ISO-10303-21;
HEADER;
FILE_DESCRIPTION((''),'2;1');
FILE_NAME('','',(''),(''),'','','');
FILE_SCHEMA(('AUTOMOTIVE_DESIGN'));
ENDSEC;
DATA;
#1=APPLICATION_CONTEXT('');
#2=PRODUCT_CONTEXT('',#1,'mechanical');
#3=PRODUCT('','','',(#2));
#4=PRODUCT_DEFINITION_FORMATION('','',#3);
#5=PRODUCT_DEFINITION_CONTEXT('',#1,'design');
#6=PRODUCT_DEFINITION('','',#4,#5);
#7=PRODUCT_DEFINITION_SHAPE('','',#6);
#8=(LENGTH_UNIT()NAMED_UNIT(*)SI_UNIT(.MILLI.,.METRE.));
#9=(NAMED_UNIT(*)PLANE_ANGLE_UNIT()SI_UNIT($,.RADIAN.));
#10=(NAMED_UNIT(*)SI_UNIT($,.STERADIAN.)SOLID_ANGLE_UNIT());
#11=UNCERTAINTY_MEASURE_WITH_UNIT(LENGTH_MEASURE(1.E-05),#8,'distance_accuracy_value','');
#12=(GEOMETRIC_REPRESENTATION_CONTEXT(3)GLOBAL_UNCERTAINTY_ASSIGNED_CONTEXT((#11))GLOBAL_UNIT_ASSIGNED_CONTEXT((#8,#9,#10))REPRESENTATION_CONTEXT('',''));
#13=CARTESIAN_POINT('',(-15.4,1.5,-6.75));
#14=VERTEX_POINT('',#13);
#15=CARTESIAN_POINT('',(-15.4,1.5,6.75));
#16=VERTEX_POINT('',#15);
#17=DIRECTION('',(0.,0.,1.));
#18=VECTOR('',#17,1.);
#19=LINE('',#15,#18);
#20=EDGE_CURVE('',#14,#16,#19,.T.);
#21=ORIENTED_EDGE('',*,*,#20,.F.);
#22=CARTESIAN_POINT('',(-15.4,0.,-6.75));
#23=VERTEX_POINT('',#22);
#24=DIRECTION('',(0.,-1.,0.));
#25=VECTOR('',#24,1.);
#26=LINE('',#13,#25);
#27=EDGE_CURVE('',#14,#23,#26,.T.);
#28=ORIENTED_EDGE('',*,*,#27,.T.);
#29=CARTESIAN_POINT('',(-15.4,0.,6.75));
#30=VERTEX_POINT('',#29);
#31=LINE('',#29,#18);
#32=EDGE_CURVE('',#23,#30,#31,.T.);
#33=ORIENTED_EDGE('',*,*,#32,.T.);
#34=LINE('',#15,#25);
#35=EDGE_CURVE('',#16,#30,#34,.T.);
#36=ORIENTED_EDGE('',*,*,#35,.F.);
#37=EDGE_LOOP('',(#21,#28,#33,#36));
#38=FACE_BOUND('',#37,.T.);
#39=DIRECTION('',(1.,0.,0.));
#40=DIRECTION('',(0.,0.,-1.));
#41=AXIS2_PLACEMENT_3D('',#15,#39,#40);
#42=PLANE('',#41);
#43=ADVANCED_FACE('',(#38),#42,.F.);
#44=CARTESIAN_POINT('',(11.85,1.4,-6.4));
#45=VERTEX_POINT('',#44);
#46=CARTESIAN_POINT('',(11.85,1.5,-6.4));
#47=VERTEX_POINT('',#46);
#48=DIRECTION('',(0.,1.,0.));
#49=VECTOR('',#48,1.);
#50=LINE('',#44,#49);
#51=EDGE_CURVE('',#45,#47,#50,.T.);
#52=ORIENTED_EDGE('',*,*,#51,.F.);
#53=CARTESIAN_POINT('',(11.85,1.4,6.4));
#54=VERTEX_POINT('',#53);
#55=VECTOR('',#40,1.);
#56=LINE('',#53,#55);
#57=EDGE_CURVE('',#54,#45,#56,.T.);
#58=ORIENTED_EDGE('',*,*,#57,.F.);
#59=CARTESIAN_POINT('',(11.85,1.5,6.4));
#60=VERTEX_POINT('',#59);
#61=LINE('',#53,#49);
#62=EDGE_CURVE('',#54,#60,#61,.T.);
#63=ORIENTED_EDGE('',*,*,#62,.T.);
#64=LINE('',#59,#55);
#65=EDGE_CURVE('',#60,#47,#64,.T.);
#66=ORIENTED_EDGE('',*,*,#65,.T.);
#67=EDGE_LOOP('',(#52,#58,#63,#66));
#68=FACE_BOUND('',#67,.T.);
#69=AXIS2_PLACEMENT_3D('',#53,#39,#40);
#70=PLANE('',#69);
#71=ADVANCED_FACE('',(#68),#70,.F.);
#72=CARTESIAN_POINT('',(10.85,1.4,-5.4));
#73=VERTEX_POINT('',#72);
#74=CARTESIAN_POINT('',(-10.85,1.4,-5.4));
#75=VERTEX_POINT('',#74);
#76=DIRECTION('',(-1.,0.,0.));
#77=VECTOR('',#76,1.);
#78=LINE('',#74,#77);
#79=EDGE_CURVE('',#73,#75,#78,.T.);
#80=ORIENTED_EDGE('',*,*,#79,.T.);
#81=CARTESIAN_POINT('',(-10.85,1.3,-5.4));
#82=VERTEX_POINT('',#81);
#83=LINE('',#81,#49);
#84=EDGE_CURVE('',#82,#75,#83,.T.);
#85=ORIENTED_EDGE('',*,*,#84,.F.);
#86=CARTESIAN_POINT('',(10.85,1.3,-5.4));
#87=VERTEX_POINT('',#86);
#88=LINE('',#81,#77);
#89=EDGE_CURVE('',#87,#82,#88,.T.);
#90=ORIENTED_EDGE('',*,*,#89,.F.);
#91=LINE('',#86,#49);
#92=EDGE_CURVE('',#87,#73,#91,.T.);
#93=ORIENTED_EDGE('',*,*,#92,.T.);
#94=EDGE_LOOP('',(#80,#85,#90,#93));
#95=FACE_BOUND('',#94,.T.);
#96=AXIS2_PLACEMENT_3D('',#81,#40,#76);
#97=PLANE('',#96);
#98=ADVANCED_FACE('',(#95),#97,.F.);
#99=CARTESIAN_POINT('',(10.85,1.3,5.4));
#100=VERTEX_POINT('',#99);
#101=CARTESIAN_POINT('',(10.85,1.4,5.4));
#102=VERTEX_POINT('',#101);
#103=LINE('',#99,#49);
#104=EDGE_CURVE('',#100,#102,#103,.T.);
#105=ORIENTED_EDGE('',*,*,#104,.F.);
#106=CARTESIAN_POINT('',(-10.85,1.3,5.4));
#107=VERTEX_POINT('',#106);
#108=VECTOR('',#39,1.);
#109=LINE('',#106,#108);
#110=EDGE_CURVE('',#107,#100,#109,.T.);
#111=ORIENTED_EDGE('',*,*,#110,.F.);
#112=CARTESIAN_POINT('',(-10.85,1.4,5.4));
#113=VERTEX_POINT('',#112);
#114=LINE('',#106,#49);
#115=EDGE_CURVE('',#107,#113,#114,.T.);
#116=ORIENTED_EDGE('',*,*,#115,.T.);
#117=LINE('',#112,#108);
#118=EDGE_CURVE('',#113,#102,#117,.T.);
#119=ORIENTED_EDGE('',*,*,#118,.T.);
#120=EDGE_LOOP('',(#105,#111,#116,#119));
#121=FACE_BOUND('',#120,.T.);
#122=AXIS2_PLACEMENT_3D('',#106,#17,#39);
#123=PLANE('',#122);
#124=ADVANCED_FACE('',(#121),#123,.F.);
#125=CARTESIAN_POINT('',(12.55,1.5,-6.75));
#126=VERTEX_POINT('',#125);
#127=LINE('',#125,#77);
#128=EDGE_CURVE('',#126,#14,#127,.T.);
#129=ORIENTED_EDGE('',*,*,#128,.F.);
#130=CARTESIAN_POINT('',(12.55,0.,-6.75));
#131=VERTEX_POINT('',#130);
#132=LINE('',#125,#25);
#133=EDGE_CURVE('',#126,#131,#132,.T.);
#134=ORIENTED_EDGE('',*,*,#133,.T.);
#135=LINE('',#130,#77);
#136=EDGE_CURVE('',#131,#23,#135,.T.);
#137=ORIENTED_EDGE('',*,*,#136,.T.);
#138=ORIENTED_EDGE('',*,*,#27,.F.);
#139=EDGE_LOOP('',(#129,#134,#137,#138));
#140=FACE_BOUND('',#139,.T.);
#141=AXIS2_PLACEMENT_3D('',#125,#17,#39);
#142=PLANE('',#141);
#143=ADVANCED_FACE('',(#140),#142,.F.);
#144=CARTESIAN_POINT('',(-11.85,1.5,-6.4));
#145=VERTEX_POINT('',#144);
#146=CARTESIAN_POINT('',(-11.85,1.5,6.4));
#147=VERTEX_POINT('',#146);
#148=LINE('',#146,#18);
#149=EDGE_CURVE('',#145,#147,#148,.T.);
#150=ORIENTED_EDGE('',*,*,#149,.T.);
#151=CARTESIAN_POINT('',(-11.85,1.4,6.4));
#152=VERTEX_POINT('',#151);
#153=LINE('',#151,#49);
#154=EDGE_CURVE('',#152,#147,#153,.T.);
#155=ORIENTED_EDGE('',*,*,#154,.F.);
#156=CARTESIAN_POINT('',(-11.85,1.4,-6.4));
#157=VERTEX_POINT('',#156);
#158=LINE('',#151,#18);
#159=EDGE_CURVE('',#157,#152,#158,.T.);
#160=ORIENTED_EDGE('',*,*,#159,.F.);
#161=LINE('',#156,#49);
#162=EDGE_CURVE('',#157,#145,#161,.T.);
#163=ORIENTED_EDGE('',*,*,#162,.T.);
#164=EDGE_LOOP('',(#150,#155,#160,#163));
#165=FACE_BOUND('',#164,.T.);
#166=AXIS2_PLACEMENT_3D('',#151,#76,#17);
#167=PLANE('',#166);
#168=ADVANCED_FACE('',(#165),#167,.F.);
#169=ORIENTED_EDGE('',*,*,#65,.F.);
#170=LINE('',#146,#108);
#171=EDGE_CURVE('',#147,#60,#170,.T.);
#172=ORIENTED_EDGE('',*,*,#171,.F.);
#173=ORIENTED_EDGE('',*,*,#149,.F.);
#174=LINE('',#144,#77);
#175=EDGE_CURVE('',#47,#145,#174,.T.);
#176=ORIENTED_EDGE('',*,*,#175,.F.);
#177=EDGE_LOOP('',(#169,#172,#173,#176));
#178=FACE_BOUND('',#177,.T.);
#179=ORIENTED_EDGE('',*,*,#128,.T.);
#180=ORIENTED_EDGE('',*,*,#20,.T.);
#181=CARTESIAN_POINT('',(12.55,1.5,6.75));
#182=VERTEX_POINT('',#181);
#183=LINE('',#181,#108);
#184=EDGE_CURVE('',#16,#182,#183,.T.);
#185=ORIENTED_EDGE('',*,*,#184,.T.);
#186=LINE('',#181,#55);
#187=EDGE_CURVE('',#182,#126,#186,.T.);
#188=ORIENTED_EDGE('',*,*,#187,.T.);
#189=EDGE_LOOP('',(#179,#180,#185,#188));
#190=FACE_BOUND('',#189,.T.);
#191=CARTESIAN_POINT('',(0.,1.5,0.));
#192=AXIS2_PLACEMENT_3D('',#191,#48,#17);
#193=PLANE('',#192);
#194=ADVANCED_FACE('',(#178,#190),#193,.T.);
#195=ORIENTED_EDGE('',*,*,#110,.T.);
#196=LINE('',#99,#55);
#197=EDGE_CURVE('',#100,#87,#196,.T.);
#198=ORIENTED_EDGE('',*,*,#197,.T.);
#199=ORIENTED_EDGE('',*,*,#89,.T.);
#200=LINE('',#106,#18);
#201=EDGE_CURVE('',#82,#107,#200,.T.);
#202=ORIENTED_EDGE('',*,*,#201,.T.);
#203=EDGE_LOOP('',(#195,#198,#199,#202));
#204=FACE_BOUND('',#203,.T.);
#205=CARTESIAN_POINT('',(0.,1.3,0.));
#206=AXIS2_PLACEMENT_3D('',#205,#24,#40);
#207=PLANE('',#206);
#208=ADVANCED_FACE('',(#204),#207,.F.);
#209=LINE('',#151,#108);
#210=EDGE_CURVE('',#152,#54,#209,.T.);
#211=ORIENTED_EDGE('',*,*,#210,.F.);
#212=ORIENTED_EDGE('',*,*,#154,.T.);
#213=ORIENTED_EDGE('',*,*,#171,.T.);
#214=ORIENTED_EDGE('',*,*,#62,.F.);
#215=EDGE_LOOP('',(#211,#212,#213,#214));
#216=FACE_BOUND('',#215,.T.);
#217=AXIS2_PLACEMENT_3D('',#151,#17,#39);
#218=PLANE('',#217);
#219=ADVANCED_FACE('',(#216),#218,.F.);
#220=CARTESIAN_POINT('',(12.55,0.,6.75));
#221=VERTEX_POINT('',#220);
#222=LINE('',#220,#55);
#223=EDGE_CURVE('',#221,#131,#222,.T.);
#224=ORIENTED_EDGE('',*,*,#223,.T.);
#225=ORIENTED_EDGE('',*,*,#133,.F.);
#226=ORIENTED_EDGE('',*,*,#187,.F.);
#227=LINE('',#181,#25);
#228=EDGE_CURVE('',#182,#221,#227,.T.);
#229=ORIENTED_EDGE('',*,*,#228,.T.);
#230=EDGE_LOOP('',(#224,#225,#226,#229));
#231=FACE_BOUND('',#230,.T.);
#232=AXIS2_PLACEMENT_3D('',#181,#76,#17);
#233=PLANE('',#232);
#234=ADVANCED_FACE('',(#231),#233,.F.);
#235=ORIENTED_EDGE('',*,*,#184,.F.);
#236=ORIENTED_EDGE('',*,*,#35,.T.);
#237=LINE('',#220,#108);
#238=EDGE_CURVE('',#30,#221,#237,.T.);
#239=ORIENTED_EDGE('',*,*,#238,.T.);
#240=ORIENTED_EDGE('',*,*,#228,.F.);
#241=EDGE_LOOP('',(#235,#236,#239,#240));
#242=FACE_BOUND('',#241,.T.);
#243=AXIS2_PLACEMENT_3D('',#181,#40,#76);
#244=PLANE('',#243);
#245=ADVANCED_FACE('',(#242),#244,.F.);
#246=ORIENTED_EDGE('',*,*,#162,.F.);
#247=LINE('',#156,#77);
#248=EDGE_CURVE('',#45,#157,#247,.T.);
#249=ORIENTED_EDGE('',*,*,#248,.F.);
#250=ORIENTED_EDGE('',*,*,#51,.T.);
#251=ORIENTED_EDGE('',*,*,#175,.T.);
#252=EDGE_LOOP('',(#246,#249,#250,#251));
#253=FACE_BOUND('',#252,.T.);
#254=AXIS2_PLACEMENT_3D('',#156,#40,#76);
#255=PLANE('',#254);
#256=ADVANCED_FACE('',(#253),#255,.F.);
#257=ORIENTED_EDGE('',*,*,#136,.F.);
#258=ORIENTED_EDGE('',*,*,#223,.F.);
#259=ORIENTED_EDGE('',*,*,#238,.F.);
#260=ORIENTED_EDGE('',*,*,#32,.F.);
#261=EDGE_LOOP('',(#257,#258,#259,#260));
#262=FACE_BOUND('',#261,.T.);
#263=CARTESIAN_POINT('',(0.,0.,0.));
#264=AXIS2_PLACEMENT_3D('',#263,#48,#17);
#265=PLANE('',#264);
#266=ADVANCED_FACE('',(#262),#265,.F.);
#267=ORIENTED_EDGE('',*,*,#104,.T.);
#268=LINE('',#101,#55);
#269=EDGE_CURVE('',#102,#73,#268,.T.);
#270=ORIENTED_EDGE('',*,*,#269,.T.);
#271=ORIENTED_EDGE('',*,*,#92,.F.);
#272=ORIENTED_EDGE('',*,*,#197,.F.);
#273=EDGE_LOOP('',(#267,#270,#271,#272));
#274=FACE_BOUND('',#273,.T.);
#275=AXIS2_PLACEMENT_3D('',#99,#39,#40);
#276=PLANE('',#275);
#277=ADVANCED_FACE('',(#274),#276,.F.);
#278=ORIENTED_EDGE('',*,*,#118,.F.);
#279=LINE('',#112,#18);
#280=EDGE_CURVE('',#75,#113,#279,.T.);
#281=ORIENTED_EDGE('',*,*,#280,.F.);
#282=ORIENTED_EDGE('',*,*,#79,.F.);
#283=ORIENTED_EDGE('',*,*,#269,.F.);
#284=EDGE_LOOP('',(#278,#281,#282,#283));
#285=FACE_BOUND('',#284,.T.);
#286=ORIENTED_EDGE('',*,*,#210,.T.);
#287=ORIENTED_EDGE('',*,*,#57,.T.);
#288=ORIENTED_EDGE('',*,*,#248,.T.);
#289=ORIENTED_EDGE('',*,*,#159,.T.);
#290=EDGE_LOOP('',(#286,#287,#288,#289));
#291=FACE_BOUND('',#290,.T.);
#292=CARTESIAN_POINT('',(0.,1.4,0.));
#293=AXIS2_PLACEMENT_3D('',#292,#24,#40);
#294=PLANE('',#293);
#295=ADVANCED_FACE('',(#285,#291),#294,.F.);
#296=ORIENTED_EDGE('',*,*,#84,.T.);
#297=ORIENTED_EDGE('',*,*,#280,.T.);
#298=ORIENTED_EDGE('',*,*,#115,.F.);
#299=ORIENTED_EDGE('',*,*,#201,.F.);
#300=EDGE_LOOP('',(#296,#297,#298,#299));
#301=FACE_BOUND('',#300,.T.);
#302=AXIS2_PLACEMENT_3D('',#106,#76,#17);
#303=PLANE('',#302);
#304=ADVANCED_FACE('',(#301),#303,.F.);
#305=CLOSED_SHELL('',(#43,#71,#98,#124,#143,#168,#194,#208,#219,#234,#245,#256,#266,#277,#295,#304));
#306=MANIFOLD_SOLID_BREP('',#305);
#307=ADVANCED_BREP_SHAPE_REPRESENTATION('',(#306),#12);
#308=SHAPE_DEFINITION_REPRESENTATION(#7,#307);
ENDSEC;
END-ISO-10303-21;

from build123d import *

# Parameters (mm, degrees)
SKETCH1_W           = 27.95
SKETCH1_H           = 13.5
BOSS_EXTRUDE1_DEPTH = 1.5
SKETCH2_W           = 21.7
SKETCH2_H           = 10.8
CUT_EXTRUDE1_DEPTH  = 0.2
SKETCH3_W           = 23.7
SKETCH3_H           = 12.8
CUT_EXTRUDE2_DEPTH  = 0.1


with BuildPart() as part:
    # Sketch1 → Boss-Extrude1 (new body)
    with BuildSketch(Plane(origin=(0, 0, 0), x_dir=(1, 0, 0), z_dir=(0, 1, 0))):
        with Locations((-1.425, 0)):
            Rectangle(SKETCH1_W, SKETCH1_H)
    extrude(amount=BOSS_EXTRUDE1_DEPTH)

    # Sketch2 → Cut-Extrude1 (cut)
    with BuildSketch(Plane(origin=(0, 1.5, 0), x_dir=(1, 0, 0), z_dir=(0, 1, 0))):
        Rectangle(SKETCH2_W, SKETCH2_H)
    extrude(amount=-CUT_EXTRUDE1_DEPTH, mode=Mode.SUBTRACT)

    # Sketch3 → Cut-Extrude2 (cut)
    with BuildSketch(Plane(origin=(0, 1.5, 0), x_dir=(1, 0, 0), z_dir=(0, 1, 0))):
        Rectangle(SKETCH3_W, SKETCH3_H)
    extrude(amount=-CUT_EXTRUDE2_DEPTH, mode=Mode.SUBTRACT)


solid = part.part
